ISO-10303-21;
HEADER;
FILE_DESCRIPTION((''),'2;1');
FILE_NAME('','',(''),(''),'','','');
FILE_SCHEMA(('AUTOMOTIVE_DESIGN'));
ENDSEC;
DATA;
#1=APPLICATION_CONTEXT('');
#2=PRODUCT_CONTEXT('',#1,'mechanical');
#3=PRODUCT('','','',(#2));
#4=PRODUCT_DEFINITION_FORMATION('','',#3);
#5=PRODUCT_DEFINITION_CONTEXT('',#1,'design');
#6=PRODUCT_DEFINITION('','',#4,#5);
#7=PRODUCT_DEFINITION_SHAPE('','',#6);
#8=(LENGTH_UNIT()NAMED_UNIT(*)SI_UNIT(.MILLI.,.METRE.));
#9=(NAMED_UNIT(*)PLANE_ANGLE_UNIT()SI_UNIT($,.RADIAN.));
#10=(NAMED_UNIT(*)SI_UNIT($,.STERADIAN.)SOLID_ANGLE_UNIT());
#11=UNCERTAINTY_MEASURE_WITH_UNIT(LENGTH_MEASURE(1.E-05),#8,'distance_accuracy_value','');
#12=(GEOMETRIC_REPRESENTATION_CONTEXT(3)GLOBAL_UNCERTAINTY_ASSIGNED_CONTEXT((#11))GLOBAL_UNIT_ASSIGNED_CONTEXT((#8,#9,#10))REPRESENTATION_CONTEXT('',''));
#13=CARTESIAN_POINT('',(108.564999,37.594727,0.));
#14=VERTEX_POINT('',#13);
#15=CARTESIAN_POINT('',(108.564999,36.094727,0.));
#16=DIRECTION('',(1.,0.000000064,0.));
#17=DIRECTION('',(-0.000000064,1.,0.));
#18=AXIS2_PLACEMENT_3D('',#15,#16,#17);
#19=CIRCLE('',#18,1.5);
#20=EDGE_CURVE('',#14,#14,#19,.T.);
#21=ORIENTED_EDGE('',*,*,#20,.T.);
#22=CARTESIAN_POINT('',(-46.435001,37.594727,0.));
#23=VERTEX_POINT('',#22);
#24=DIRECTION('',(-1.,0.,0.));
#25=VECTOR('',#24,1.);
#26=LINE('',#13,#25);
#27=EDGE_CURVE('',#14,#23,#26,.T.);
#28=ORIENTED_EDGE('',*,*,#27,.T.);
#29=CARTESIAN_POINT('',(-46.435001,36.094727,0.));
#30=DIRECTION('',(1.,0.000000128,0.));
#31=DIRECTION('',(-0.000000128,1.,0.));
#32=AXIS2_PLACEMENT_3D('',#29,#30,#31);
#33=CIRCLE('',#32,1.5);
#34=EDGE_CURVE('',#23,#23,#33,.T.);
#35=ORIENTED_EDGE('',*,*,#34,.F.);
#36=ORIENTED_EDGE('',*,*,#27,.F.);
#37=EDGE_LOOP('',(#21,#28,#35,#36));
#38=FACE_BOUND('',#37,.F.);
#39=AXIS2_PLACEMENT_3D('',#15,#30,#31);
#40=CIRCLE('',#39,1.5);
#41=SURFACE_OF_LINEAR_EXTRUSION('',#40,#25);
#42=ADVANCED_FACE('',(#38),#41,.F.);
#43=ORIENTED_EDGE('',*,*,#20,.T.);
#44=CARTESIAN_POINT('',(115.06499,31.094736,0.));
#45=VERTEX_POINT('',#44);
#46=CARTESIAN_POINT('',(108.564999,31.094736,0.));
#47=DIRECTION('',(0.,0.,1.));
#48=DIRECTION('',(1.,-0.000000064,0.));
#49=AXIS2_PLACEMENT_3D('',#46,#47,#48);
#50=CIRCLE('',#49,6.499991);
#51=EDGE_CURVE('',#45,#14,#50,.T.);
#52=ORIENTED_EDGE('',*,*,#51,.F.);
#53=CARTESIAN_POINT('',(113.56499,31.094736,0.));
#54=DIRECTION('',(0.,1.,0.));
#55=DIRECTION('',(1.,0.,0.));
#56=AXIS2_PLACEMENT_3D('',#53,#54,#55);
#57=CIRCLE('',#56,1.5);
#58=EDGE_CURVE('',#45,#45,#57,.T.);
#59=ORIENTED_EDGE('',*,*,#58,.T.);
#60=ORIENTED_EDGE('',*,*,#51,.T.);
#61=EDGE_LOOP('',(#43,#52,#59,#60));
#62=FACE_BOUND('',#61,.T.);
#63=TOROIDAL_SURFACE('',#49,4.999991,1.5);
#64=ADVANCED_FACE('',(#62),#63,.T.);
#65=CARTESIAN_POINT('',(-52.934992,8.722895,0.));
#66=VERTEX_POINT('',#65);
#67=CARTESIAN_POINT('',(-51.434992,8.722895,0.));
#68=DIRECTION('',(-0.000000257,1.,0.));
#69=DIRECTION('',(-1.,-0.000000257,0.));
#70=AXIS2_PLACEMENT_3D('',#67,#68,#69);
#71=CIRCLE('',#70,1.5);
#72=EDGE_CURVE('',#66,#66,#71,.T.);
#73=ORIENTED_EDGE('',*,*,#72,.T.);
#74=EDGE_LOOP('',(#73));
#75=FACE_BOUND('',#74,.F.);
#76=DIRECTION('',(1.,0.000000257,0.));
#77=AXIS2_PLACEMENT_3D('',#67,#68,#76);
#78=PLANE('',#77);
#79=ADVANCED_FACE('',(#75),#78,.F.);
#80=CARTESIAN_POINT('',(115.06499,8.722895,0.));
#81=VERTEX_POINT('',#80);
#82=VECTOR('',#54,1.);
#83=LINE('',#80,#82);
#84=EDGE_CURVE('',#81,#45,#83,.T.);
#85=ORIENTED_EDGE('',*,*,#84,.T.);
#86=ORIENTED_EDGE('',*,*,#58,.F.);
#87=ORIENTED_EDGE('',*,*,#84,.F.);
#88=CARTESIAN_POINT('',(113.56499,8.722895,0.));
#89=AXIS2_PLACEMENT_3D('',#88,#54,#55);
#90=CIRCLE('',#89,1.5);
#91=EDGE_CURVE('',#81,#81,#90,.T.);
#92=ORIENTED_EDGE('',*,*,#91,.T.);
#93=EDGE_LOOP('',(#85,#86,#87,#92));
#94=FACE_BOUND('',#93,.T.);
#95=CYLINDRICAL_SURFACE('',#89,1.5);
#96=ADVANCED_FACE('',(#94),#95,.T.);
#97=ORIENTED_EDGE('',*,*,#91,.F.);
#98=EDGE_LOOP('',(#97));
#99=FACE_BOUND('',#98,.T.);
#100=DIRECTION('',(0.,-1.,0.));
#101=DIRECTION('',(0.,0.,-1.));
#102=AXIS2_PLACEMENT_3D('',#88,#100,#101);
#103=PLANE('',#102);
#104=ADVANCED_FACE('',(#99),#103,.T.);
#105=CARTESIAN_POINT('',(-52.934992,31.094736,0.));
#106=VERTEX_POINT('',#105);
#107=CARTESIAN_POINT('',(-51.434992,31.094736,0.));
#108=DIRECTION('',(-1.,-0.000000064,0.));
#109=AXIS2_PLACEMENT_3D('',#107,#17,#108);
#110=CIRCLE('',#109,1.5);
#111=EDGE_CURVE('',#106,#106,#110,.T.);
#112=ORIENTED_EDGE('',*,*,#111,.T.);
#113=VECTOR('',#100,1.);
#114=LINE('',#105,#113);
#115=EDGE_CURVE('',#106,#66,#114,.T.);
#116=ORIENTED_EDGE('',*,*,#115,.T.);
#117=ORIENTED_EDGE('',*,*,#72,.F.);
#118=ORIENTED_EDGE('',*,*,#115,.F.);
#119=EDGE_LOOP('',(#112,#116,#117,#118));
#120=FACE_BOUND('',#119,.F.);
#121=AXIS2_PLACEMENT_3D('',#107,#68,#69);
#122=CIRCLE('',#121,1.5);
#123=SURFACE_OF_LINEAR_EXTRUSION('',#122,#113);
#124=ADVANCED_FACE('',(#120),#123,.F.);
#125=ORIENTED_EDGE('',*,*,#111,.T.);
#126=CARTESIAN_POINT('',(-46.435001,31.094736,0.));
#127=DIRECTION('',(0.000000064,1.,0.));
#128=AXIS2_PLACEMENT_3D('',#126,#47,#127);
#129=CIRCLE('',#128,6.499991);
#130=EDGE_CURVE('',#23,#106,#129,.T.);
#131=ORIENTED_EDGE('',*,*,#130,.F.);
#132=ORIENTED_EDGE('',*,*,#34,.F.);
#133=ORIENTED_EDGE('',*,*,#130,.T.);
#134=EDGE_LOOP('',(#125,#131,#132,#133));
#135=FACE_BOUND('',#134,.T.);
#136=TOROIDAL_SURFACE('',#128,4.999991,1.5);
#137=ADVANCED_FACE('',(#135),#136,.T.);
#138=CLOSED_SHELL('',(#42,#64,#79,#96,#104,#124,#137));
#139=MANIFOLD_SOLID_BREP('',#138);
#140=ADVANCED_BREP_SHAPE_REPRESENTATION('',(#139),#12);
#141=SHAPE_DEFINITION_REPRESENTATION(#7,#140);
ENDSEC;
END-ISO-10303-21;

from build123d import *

# Parameters (mm, degrees)
F3_R = 1.5


with BuildPart() as f4:
    # F4: sweep along a path in F0
    with BuildLine(Plane.XY) as f4_path:
        Line((113.564999, 8.722895), (113.564999, 31.094736))
        ThreePointArc((113.564999, 31.094736), (112.100533, 34.63027), (108.564999, 36.094736))
        Line((108.564999, 36.094736), (-46.435001, 36.094736))
        ThreePointArc((-46.435001, 36.094736), (-49.970535, 34.63027), (-51.435001, 31.094736))
        Line((-51.435001, 31.094736), (-51.435001, 8.722895))
    # F3 (on face) → F4 (sweep)
    with BuildSketch(Plane.XZ.offset(-8.722895)):
        with Locations((113.56499, 0)):
            Circle(F3_R)
    sweep(path=f4_path.line)


solid = f4.part
